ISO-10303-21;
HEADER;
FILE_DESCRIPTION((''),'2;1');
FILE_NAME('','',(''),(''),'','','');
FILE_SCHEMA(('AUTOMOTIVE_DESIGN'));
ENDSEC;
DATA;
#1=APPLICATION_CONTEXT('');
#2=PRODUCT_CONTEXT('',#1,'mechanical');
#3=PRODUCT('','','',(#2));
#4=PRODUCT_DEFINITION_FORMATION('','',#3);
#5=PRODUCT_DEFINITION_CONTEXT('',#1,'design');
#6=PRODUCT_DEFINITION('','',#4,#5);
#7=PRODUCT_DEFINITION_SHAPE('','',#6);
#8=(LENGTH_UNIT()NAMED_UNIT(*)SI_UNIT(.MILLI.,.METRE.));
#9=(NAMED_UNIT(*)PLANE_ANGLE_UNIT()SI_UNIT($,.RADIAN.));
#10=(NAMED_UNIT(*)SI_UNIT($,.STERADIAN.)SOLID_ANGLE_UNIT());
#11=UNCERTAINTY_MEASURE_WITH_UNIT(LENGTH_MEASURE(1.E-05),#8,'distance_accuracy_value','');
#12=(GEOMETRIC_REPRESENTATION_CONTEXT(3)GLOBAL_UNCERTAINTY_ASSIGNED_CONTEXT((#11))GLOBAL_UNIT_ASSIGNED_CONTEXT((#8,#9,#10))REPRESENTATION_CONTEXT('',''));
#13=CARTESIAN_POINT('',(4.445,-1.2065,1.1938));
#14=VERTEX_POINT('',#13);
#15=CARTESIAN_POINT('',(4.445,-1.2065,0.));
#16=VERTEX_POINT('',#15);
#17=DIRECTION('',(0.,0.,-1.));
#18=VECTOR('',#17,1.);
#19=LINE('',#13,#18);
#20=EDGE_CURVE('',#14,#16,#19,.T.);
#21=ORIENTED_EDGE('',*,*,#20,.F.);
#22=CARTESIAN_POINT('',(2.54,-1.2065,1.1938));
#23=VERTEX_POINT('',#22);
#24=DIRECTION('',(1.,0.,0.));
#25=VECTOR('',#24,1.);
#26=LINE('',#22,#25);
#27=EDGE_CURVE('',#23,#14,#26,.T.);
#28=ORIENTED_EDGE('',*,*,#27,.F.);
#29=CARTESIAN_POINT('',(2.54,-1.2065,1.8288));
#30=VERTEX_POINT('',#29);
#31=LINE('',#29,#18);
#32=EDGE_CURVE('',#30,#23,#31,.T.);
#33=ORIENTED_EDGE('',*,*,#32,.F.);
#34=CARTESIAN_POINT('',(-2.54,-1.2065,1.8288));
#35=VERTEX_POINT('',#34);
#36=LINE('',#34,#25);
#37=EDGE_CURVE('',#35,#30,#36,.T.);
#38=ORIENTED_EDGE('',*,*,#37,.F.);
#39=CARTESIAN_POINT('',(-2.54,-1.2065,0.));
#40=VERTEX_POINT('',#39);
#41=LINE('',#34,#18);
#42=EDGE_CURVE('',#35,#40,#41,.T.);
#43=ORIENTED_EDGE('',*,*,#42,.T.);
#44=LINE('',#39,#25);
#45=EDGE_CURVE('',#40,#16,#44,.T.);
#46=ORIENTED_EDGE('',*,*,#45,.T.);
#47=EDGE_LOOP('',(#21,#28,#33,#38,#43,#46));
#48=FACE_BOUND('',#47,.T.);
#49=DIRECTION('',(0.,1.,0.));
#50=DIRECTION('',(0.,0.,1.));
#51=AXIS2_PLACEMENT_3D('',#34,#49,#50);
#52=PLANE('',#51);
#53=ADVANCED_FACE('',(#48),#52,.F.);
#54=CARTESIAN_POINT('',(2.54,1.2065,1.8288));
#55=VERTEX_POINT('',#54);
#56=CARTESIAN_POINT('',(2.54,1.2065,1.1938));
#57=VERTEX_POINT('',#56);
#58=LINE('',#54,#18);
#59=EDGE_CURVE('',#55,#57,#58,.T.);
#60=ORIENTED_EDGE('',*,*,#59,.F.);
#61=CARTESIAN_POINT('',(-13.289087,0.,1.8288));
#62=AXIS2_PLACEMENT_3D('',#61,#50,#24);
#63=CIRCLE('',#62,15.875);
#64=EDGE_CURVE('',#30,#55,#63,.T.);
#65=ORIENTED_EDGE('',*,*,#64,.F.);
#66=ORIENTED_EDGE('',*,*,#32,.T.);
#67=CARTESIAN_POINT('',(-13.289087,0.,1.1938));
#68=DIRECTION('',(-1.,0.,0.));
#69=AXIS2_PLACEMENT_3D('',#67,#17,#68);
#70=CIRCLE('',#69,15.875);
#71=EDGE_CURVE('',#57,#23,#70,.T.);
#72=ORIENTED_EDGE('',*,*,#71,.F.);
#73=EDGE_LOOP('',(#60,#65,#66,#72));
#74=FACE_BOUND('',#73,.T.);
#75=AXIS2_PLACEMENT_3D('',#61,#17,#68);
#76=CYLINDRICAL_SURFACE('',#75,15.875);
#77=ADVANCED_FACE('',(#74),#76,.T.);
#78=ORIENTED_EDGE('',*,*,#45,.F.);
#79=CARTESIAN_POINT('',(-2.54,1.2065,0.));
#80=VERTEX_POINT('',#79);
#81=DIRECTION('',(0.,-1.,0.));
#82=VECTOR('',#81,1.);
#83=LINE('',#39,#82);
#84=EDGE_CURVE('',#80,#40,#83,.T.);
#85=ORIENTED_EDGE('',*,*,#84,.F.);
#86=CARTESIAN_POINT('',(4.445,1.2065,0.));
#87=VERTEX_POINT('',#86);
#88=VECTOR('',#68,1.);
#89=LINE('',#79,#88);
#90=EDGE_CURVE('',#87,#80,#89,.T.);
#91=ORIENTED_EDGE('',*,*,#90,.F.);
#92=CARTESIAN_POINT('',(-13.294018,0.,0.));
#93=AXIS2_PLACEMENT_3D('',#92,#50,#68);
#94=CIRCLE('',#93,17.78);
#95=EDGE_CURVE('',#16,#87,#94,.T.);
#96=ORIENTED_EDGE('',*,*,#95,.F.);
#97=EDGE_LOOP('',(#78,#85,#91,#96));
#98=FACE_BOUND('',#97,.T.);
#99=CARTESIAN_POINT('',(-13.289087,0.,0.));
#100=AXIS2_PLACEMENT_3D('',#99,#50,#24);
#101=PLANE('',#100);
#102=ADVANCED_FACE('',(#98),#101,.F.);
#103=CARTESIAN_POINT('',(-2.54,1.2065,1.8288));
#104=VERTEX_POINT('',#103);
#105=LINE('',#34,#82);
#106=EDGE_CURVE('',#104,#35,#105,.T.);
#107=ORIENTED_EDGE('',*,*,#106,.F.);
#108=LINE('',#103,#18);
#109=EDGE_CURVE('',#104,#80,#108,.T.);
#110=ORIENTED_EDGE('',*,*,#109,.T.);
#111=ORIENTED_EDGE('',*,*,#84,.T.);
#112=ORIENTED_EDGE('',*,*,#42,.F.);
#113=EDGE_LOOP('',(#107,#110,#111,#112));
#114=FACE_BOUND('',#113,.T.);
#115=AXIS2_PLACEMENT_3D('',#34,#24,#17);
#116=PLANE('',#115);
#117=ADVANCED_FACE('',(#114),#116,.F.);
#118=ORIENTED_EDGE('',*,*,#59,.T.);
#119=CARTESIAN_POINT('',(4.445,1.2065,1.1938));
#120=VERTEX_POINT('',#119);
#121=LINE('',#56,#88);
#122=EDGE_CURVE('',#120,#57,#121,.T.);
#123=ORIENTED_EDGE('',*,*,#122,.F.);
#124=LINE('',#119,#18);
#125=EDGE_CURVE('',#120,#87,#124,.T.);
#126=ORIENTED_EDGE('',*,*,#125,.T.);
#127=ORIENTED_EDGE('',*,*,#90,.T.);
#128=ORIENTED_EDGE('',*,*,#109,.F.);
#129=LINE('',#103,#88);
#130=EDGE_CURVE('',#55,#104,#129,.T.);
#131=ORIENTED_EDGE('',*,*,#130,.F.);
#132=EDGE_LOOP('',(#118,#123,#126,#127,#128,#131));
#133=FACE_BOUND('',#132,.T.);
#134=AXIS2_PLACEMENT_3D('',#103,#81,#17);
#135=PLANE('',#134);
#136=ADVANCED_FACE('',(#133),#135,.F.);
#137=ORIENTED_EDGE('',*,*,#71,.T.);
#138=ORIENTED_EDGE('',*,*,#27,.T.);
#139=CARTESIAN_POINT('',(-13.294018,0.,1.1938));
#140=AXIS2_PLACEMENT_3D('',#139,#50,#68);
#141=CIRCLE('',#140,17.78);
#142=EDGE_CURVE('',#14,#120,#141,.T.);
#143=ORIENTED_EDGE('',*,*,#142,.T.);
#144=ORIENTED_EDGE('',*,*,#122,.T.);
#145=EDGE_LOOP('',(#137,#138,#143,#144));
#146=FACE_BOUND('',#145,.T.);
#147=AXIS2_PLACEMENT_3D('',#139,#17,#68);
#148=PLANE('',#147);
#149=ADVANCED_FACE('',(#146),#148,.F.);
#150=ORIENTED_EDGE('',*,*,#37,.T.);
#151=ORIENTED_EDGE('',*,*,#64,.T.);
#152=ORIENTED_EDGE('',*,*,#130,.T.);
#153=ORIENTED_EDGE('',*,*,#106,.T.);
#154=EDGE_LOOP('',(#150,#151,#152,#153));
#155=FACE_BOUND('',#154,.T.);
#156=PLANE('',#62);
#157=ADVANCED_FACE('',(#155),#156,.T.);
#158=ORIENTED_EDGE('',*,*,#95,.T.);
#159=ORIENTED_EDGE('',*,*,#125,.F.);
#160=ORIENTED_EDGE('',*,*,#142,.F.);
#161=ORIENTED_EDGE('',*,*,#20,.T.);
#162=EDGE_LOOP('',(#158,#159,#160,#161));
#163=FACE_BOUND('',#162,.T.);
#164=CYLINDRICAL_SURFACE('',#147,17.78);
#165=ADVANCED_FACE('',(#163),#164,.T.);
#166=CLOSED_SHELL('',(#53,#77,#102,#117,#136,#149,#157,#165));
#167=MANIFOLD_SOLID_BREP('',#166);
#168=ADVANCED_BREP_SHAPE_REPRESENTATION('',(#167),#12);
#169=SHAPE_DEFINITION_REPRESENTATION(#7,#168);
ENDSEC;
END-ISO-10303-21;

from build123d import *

# Parameters (mm, degrees)
BOSS_EXTRUDE1_DEPTH = 1.8288
BOSS_EXTRUDE2_DEPTH = 1.1938


with BuildPart() as part:
    # Sketch2 → Boss-Extrude1 (new body)
    with BuildSketch(Plane.XY):
        with BuildLine():
            Line((-2.54, -1.2065), (2.54, -1.2065))
            ThreePointArc((2.54, -1.2065), (2.585913395, 0), (2.54, 1.2065))
            Line((2.54, 1.2065), (-2.54, 1.2065))
            Line((-2.54, 1.2065), (-2.54, -1.2065))
        make_face()
    extrude(amount=BOSS_EXTRUDE1_DEPTH)

    # Sketch3 → Boss-Extrude2 (add)
    with BuildSketch(Plane.XY):
        with BuildLine():
            Line((2.54, 1.2065), (4.445, 1.2065))
            ThreePointArc((4.445, 1.2065), (4.485982052, 0), (4.445, -1.2065))
            Line((4.445, -1.2065), (2.54, -1.2065))
            Line((2.54, -1.2065), (2.54, 1.2065))
        make_face()
    extrude(amount=BOSS_EXTRUDE2_DEPTH)


solid = part.part
